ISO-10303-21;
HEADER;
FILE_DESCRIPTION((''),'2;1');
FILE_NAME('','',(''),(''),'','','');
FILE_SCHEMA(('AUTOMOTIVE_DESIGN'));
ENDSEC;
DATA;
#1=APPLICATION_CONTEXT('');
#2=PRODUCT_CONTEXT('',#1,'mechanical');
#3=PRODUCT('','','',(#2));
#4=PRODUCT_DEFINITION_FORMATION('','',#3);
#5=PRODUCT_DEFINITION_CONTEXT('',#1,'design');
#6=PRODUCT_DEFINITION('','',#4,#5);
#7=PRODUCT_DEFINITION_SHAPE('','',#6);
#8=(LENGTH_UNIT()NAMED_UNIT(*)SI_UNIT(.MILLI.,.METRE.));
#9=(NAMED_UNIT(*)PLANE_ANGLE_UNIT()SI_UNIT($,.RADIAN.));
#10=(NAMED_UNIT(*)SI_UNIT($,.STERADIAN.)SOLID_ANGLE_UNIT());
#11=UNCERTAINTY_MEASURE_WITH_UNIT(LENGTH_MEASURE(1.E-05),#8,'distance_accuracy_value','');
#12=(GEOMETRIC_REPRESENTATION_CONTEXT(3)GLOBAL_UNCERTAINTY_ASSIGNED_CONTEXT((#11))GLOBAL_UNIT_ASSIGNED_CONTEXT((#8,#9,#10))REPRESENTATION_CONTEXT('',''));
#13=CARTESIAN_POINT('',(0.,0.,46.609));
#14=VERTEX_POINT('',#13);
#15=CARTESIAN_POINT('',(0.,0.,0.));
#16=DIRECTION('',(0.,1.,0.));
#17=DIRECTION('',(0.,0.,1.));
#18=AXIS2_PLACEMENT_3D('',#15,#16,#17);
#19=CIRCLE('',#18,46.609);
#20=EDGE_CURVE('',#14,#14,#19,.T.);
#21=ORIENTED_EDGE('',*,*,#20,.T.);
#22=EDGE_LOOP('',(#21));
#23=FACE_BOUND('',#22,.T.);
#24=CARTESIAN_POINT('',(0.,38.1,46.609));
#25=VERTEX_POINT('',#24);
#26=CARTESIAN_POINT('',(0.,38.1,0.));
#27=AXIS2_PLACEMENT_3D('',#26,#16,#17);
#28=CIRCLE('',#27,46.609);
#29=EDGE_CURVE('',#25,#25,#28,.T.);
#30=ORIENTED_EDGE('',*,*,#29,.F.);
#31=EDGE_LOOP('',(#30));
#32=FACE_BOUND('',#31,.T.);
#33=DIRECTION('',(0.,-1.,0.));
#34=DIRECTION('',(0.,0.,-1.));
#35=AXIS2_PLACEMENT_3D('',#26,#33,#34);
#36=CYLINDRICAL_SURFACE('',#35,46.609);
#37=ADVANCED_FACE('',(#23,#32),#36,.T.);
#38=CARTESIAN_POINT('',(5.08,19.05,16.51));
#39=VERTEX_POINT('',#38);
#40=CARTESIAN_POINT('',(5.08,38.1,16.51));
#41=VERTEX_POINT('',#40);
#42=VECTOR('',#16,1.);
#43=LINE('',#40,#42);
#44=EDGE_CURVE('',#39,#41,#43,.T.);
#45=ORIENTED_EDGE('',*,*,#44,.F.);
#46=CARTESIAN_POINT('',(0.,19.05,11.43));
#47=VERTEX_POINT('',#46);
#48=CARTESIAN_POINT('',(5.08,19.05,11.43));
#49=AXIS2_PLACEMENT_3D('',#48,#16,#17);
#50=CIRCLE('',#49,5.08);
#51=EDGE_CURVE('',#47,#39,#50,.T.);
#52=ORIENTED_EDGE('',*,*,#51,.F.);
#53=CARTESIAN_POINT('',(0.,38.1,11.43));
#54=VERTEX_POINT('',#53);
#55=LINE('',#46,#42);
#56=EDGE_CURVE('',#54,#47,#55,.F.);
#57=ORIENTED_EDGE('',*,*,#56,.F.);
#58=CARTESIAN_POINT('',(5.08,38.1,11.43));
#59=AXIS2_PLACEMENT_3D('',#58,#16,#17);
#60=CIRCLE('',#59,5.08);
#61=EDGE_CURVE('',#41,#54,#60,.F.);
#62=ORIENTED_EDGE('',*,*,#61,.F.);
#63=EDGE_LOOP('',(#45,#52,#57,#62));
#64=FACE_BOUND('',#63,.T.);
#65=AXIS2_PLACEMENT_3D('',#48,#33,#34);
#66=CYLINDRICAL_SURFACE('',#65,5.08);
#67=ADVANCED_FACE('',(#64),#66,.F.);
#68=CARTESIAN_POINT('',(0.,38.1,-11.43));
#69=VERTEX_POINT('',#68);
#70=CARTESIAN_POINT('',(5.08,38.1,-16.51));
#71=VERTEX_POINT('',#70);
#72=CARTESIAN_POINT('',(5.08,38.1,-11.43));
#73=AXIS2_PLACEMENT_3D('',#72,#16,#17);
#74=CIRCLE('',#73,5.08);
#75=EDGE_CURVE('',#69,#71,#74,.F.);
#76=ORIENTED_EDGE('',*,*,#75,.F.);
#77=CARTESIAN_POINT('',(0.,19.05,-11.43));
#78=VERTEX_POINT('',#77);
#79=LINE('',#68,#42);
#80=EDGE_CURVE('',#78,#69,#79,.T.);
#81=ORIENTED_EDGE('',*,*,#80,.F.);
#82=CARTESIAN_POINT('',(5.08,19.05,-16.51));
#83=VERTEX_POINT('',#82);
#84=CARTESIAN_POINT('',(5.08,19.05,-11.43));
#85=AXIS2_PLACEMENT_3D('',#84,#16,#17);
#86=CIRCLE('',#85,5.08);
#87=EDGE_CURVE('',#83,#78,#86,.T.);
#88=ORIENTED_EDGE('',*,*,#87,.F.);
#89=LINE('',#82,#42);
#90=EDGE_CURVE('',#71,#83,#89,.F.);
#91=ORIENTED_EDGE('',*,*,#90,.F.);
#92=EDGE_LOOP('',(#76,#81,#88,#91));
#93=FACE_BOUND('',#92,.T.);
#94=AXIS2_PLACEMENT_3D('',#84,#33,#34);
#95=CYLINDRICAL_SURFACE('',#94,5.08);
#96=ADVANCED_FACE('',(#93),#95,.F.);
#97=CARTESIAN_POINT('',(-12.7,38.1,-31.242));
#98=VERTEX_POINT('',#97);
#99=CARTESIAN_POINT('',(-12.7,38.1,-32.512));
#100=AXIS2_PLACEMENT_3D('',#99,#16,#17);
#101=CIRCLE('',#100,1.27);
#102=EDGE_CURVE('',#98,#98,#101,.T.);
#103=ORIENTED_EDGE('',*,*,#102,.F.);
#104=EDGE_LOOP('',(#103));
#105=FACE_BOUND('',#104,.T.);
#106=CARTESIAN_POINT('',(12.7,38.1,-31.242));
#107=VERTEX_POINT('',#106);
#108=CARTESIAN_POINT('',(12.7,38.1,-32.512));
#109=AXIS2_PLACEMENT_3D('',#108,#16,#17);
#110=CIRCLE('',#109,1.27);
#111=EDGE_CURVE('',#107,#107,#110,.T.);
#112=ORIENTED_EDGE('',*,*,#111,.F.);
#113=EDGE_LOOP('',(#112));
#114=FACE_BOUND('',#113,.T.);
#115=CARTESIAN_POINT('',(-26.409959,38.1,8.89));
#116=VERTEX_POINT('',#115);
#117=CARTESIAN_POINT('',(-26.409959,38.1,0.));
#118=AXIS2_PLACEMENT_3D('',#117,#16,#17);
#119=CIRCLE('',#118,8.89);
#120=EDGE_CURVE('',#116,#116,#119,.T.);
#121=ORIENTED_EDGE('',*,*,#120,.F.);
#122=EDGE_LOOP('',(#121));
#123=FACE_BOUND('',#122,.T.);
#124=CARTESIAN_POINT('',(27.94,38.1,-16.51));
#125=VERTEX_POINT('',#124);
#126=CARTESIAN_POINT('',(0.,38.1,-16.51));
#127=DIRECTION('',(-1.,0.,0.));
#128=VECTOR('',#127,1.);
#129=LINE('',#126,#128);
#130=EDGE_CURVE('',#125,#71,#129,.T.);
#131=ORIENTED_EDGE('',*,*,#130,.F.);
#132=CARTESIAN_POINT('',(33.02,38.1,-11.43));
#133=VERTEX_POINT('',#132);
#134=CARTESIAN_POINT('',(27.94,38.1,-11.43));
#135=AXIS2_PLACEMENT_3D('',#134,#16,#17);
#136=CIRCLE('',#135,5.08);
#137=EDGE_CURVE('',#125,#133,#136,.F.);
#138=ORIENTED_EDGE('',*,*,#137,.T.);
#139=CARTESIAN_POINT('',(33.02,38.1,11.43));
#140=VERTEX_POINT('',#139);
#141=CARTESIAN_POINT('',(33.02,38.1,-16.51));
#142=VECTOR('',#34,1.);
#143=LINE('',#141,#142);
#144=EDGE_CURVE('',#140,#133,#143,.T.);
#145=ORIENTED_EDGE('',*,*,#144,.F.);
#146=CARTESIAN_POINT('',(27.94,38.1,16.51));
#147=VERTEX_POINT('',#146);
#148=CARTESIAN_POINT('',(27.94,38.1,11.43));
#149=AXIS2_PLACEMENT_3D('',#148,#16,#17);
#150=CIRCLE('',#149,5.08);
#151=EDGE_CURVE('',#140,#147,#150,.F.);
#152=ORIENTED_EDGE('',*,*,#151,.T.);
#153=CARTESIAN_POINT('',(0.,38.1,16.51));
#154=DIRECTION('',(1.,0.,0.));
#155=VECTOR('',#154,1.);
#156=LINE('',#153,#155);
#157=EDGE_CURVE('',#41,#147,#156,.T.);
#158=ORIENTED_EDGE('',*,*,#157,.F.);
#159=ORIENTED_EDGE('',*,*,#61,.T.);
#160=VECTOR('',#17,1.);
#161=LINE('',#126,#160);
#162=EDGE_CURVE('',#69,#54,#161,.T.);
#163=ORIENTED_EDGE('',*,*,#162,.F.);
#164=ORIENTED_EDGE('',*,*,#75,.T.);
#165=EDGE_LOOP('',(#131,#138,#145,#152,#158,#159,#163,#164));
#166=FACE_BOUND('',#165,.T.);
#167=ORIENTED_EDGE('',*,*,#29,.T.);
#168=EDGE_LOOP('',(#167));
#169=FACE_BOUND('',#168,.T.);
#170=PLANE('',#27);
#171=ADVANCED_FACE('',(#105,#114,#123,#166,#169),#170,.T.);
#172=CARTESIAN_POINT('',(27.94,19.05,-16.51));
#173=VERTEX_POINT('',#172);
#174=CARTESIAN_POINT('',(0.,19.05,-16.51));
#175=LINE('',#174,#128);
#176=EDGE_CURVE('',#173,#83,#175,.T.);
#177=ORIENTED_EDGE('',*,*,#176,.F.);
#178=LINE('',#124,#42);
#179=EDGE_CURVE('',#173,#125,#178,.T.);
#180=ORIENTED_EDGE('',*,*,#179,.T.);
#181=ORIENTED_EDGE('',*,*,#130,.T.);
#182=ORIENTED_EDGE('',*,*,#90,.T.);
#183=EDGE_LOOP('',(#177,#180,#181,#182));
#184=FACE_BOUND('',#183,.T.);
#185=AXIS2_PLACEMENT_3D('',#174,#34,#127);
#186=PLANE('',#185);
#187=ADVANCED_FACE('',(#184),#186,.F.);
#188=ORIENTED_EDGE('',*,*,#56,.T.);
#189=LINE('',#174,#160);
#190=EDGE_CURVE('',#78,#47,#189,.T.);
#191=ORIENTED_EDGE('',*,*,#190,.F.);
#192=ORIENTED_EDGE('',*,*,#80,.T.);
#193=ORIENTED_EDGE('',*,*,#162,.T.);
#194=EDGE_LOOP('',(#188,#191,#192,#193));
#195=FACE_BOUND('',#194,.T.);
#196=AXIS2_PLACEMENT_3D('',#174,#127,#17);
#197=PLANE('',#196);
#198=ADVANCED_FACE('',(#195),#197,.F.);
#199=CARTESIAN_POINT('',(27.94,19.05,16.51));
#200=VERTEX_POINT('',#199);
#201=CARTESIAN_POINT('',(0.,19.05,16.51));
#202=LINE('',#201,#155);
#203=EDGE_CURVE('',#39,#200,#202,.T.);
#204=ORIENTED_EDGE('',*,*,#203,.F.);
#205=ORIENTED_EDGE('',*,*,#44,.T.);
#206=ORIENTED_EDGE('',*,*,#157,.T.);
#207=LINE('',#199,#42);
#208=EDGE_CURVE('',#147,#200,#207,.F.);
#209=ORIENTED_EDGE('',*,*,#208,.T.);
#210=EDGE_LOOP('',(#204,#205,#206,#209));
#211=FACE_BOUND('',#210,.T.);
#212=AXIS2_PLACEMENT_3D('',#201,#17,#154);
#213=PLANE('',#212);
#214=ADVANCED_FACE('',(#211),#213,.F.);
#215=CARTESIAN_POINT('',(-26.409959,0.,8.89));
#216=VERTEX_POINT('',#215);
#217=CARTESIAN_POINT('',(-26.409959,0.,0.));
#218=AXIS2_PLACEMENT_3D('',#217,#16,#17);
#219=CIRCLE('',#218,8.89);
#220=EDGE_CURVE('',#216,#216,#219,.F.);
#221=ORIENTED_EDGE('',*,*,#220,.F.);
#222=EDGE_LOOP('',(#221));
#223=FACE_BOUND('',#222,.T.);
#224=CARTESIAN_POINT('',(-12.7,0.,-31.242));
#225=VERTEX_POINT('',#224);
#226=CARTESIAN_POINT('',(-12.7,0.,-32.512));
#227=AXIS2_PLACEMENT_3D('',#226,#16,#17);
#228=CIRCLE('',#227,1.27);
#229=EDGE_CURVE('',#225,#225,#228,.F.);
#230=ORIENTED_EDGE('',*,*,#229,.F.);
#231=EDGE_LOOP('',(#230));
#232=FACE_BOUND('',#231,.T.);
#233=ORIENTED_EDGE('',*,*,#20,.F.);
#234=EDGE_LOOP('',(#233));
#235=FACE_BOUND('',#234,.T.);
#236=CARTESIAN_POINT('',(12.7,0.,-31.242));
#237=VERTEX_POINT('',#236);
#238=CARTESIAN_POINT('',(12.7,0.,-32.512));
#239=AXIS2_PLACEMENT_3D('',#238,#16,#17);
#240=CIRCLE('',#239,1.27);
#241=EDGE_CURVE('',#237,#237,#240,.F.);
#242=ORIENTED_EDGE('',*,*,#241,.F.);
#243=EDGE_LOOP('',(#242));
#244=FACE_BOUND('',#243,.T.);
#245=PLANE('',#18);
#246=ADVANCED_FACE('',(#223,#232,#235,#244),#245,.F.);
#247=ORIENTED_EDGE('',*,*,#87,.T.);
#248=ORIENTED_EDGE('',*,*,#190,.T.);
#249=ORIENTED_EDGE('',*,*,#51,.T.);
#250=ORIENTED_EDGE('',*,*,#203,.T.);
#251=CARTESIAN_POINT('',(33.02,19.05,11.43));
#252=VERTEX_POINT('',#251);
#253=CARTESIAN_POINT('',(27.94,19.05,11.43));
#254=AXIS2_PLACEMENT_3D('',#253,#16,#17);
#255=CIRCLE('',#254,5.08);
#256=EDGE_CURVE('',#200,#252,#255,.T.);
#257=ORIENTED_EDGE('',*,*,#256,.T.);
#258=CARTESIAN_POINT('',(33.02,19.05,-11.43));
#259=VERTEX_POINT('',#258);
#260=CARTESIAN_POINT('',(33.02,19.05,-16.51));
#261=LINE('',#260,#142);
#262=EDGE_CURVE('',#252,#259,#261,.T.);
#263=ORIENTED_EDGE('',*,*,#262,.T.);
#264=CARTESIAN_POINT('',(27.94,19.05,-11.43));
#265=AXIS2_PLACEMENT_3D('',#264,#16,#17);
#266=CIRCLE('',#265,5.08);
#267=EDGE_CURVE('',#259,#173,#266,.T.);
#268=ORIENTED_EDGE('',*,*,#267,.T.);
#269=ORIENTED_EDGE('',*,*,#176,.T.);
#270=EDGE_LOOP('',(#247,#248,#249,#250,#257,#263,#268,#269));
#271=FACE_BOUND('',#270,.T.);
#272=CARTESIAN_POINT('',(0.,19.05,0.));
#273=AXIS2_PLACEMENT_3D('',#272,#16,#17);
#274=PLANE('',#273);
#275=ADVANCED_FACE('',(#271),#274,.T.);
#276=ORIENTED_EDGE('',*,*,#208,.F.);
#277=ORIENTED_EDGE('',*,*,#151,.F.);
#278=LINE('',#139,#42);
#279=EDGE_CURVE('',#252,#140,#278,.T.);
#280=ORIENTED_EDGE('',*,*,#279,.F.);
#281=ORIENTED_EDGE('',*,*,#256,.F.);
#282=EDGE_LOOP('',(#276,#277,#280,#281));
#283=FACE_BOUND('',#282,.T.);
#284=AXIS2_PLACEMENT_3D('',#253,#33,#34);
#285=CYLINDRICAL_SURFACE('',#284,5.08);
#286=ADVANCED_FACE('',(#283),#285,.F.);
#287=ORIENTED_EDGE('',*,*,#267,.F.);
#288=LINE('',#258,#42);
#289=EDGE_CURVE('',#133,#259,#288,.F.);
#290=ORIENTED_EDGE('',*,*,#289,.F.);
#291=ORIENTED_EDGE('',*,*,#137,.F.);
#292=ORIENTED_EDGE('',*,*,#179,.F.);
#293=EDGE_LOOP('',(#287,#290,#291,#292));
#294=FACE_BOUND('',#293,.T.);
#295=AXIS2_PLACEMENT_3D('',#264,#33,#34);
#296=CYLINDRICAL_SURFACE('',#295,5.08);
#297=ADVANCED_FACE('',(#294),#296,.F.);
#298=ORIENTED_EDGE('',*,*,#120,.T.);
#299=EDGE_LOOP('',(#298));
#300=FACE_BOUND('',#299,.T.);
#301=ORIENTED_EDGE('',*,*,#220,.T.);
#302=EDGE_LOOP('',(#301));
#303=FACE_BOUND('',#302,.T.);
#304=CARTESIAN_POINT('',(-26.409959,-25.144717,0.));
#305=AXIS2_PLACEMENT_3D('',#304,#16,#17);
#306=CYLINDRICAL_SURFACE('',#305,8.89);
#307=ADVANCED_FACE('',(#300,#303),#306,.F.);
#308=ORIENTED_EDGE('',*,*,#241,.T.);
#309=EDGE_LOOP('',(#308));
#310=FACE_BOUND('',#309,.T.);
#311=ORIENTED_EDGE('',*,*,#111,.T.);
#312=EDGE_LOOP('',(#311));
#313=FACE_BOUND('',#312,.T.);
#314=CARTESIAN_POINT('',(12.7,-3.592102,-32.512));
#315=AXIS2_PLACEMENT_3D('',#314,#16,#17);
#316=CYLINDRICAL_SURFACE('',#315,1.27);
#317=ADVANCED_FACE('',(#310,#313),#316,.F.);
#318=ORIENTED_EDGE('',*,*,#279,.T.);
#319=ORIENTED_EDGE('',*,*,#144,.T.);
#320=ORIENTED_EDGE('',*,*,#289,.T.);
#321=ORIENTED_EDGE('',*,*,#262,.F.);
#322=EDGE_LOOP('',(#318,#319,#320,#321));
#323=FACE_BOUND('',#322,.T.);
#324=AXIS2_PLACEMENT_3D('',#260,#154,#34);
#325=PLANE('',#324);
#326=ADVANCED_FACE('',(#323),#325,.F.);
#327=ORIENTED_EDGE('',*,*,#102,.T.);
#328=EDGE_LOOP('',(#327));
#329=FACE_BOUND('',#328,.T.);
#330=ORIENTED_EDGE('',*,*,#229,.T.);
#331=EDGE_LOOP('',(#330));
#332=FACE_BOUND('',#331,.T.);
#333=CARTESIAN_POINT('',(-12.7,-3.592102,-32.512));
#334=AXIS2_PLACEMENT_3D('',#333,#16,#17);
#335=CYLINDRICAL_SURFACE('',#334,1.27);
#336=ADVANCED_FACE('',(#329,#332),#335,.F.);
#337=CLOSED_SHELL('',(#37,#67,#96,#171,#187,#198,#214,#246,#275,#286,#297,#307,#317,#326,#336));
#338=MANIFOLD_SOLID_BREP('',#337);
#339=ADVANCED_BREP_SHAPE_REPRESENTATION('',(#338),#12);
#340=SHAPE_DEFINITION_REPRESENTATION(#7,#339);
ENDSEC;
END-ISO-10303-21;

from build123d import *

# Parameters (mm, degrees)
SKETCH1_R           = 46.609
BOSS_EXTRUDE1_DEPTH = 38.1
SKETCH2_R           = 1.27
CUT_EXTRUDE1_DEPTH  = 38.1
SKETCH3_R           = 8.89
CUT_EXTRUDE2_DEPTH  = 38.1
SKETCH4_W           = 33.02
SKETCH4_H           = 33.02
CUT_EXTRUDE3_DEPTH  = 19.05
FILLET1_R           = 5.08


with BuildPart() as part:
    # Sketch1 → Boss-Extrude1 (new body)
    with BuildSketch(Plane(origin=(0, 0, 0), x_dir=(1, 0, 0), z_dir=(0, 1, 0))):
        Circle(SKETCH1_R)
    extrude(amount=BOSS_EXTRUDE1_DEPTH)

    # Sketch2 → Cut-Extrude1 (cut)
    with BuildSketch(Plane(origin=(0, 38.1, 0), x_dir=(1, 0, 0), z_dir=(0, 1, 0))):
        with Locations((12.7, 32.512)):
            Circle(SKETCH2_R)
        with Locations((-12.7, 32.512)):
            Circle(SKETCH2_R)
    extrude(amount=-CUT_EXTRUDE1_DEPTH, mode=Mode.SUBTRACT)

    # Sketch3 → Cut-Extrude2 (cut)
    with BuildSketch(Plane(origin=(0, 38.1, 0), x_dir=(1, 0, 0), z_dir=(0, 1, 0))):
        with Locations((-26.409958794, 0)):
            Circle(SKETCH3_R)
    extrude(amount=-CUT_EXTRUDE2_DEPTH, mode=Mode.SUBTRACT)

    # Sketch4 → Cut-Extrude3 (cut)
    with BuildSketch(Plane(origin=(0, 38.1, 0), x_dir=(1, 0, 0), z_dir=(0, 1, 0))):
        with Locations((16.51, 0)):
            Rectangle(SKETCH4_W, SKETCH4_H)
    extrude(amount=-CUT_EXTRUDE3_DEPTH, mode=Mode.SUBTRACT)

    # Fillet1
    fillet1_edges = [part.edges().sort_by_distance(p)[0] for p in [
        (0, 28.575, 16.51),
        (0, 28.575, -16.51),
        (33.02, 28.575, -16.51),
        (33.02, 28.575, 16.51),
    ]]
    fillet(fillet1_edges, radius=FILLET1_R)


solid = part.part
